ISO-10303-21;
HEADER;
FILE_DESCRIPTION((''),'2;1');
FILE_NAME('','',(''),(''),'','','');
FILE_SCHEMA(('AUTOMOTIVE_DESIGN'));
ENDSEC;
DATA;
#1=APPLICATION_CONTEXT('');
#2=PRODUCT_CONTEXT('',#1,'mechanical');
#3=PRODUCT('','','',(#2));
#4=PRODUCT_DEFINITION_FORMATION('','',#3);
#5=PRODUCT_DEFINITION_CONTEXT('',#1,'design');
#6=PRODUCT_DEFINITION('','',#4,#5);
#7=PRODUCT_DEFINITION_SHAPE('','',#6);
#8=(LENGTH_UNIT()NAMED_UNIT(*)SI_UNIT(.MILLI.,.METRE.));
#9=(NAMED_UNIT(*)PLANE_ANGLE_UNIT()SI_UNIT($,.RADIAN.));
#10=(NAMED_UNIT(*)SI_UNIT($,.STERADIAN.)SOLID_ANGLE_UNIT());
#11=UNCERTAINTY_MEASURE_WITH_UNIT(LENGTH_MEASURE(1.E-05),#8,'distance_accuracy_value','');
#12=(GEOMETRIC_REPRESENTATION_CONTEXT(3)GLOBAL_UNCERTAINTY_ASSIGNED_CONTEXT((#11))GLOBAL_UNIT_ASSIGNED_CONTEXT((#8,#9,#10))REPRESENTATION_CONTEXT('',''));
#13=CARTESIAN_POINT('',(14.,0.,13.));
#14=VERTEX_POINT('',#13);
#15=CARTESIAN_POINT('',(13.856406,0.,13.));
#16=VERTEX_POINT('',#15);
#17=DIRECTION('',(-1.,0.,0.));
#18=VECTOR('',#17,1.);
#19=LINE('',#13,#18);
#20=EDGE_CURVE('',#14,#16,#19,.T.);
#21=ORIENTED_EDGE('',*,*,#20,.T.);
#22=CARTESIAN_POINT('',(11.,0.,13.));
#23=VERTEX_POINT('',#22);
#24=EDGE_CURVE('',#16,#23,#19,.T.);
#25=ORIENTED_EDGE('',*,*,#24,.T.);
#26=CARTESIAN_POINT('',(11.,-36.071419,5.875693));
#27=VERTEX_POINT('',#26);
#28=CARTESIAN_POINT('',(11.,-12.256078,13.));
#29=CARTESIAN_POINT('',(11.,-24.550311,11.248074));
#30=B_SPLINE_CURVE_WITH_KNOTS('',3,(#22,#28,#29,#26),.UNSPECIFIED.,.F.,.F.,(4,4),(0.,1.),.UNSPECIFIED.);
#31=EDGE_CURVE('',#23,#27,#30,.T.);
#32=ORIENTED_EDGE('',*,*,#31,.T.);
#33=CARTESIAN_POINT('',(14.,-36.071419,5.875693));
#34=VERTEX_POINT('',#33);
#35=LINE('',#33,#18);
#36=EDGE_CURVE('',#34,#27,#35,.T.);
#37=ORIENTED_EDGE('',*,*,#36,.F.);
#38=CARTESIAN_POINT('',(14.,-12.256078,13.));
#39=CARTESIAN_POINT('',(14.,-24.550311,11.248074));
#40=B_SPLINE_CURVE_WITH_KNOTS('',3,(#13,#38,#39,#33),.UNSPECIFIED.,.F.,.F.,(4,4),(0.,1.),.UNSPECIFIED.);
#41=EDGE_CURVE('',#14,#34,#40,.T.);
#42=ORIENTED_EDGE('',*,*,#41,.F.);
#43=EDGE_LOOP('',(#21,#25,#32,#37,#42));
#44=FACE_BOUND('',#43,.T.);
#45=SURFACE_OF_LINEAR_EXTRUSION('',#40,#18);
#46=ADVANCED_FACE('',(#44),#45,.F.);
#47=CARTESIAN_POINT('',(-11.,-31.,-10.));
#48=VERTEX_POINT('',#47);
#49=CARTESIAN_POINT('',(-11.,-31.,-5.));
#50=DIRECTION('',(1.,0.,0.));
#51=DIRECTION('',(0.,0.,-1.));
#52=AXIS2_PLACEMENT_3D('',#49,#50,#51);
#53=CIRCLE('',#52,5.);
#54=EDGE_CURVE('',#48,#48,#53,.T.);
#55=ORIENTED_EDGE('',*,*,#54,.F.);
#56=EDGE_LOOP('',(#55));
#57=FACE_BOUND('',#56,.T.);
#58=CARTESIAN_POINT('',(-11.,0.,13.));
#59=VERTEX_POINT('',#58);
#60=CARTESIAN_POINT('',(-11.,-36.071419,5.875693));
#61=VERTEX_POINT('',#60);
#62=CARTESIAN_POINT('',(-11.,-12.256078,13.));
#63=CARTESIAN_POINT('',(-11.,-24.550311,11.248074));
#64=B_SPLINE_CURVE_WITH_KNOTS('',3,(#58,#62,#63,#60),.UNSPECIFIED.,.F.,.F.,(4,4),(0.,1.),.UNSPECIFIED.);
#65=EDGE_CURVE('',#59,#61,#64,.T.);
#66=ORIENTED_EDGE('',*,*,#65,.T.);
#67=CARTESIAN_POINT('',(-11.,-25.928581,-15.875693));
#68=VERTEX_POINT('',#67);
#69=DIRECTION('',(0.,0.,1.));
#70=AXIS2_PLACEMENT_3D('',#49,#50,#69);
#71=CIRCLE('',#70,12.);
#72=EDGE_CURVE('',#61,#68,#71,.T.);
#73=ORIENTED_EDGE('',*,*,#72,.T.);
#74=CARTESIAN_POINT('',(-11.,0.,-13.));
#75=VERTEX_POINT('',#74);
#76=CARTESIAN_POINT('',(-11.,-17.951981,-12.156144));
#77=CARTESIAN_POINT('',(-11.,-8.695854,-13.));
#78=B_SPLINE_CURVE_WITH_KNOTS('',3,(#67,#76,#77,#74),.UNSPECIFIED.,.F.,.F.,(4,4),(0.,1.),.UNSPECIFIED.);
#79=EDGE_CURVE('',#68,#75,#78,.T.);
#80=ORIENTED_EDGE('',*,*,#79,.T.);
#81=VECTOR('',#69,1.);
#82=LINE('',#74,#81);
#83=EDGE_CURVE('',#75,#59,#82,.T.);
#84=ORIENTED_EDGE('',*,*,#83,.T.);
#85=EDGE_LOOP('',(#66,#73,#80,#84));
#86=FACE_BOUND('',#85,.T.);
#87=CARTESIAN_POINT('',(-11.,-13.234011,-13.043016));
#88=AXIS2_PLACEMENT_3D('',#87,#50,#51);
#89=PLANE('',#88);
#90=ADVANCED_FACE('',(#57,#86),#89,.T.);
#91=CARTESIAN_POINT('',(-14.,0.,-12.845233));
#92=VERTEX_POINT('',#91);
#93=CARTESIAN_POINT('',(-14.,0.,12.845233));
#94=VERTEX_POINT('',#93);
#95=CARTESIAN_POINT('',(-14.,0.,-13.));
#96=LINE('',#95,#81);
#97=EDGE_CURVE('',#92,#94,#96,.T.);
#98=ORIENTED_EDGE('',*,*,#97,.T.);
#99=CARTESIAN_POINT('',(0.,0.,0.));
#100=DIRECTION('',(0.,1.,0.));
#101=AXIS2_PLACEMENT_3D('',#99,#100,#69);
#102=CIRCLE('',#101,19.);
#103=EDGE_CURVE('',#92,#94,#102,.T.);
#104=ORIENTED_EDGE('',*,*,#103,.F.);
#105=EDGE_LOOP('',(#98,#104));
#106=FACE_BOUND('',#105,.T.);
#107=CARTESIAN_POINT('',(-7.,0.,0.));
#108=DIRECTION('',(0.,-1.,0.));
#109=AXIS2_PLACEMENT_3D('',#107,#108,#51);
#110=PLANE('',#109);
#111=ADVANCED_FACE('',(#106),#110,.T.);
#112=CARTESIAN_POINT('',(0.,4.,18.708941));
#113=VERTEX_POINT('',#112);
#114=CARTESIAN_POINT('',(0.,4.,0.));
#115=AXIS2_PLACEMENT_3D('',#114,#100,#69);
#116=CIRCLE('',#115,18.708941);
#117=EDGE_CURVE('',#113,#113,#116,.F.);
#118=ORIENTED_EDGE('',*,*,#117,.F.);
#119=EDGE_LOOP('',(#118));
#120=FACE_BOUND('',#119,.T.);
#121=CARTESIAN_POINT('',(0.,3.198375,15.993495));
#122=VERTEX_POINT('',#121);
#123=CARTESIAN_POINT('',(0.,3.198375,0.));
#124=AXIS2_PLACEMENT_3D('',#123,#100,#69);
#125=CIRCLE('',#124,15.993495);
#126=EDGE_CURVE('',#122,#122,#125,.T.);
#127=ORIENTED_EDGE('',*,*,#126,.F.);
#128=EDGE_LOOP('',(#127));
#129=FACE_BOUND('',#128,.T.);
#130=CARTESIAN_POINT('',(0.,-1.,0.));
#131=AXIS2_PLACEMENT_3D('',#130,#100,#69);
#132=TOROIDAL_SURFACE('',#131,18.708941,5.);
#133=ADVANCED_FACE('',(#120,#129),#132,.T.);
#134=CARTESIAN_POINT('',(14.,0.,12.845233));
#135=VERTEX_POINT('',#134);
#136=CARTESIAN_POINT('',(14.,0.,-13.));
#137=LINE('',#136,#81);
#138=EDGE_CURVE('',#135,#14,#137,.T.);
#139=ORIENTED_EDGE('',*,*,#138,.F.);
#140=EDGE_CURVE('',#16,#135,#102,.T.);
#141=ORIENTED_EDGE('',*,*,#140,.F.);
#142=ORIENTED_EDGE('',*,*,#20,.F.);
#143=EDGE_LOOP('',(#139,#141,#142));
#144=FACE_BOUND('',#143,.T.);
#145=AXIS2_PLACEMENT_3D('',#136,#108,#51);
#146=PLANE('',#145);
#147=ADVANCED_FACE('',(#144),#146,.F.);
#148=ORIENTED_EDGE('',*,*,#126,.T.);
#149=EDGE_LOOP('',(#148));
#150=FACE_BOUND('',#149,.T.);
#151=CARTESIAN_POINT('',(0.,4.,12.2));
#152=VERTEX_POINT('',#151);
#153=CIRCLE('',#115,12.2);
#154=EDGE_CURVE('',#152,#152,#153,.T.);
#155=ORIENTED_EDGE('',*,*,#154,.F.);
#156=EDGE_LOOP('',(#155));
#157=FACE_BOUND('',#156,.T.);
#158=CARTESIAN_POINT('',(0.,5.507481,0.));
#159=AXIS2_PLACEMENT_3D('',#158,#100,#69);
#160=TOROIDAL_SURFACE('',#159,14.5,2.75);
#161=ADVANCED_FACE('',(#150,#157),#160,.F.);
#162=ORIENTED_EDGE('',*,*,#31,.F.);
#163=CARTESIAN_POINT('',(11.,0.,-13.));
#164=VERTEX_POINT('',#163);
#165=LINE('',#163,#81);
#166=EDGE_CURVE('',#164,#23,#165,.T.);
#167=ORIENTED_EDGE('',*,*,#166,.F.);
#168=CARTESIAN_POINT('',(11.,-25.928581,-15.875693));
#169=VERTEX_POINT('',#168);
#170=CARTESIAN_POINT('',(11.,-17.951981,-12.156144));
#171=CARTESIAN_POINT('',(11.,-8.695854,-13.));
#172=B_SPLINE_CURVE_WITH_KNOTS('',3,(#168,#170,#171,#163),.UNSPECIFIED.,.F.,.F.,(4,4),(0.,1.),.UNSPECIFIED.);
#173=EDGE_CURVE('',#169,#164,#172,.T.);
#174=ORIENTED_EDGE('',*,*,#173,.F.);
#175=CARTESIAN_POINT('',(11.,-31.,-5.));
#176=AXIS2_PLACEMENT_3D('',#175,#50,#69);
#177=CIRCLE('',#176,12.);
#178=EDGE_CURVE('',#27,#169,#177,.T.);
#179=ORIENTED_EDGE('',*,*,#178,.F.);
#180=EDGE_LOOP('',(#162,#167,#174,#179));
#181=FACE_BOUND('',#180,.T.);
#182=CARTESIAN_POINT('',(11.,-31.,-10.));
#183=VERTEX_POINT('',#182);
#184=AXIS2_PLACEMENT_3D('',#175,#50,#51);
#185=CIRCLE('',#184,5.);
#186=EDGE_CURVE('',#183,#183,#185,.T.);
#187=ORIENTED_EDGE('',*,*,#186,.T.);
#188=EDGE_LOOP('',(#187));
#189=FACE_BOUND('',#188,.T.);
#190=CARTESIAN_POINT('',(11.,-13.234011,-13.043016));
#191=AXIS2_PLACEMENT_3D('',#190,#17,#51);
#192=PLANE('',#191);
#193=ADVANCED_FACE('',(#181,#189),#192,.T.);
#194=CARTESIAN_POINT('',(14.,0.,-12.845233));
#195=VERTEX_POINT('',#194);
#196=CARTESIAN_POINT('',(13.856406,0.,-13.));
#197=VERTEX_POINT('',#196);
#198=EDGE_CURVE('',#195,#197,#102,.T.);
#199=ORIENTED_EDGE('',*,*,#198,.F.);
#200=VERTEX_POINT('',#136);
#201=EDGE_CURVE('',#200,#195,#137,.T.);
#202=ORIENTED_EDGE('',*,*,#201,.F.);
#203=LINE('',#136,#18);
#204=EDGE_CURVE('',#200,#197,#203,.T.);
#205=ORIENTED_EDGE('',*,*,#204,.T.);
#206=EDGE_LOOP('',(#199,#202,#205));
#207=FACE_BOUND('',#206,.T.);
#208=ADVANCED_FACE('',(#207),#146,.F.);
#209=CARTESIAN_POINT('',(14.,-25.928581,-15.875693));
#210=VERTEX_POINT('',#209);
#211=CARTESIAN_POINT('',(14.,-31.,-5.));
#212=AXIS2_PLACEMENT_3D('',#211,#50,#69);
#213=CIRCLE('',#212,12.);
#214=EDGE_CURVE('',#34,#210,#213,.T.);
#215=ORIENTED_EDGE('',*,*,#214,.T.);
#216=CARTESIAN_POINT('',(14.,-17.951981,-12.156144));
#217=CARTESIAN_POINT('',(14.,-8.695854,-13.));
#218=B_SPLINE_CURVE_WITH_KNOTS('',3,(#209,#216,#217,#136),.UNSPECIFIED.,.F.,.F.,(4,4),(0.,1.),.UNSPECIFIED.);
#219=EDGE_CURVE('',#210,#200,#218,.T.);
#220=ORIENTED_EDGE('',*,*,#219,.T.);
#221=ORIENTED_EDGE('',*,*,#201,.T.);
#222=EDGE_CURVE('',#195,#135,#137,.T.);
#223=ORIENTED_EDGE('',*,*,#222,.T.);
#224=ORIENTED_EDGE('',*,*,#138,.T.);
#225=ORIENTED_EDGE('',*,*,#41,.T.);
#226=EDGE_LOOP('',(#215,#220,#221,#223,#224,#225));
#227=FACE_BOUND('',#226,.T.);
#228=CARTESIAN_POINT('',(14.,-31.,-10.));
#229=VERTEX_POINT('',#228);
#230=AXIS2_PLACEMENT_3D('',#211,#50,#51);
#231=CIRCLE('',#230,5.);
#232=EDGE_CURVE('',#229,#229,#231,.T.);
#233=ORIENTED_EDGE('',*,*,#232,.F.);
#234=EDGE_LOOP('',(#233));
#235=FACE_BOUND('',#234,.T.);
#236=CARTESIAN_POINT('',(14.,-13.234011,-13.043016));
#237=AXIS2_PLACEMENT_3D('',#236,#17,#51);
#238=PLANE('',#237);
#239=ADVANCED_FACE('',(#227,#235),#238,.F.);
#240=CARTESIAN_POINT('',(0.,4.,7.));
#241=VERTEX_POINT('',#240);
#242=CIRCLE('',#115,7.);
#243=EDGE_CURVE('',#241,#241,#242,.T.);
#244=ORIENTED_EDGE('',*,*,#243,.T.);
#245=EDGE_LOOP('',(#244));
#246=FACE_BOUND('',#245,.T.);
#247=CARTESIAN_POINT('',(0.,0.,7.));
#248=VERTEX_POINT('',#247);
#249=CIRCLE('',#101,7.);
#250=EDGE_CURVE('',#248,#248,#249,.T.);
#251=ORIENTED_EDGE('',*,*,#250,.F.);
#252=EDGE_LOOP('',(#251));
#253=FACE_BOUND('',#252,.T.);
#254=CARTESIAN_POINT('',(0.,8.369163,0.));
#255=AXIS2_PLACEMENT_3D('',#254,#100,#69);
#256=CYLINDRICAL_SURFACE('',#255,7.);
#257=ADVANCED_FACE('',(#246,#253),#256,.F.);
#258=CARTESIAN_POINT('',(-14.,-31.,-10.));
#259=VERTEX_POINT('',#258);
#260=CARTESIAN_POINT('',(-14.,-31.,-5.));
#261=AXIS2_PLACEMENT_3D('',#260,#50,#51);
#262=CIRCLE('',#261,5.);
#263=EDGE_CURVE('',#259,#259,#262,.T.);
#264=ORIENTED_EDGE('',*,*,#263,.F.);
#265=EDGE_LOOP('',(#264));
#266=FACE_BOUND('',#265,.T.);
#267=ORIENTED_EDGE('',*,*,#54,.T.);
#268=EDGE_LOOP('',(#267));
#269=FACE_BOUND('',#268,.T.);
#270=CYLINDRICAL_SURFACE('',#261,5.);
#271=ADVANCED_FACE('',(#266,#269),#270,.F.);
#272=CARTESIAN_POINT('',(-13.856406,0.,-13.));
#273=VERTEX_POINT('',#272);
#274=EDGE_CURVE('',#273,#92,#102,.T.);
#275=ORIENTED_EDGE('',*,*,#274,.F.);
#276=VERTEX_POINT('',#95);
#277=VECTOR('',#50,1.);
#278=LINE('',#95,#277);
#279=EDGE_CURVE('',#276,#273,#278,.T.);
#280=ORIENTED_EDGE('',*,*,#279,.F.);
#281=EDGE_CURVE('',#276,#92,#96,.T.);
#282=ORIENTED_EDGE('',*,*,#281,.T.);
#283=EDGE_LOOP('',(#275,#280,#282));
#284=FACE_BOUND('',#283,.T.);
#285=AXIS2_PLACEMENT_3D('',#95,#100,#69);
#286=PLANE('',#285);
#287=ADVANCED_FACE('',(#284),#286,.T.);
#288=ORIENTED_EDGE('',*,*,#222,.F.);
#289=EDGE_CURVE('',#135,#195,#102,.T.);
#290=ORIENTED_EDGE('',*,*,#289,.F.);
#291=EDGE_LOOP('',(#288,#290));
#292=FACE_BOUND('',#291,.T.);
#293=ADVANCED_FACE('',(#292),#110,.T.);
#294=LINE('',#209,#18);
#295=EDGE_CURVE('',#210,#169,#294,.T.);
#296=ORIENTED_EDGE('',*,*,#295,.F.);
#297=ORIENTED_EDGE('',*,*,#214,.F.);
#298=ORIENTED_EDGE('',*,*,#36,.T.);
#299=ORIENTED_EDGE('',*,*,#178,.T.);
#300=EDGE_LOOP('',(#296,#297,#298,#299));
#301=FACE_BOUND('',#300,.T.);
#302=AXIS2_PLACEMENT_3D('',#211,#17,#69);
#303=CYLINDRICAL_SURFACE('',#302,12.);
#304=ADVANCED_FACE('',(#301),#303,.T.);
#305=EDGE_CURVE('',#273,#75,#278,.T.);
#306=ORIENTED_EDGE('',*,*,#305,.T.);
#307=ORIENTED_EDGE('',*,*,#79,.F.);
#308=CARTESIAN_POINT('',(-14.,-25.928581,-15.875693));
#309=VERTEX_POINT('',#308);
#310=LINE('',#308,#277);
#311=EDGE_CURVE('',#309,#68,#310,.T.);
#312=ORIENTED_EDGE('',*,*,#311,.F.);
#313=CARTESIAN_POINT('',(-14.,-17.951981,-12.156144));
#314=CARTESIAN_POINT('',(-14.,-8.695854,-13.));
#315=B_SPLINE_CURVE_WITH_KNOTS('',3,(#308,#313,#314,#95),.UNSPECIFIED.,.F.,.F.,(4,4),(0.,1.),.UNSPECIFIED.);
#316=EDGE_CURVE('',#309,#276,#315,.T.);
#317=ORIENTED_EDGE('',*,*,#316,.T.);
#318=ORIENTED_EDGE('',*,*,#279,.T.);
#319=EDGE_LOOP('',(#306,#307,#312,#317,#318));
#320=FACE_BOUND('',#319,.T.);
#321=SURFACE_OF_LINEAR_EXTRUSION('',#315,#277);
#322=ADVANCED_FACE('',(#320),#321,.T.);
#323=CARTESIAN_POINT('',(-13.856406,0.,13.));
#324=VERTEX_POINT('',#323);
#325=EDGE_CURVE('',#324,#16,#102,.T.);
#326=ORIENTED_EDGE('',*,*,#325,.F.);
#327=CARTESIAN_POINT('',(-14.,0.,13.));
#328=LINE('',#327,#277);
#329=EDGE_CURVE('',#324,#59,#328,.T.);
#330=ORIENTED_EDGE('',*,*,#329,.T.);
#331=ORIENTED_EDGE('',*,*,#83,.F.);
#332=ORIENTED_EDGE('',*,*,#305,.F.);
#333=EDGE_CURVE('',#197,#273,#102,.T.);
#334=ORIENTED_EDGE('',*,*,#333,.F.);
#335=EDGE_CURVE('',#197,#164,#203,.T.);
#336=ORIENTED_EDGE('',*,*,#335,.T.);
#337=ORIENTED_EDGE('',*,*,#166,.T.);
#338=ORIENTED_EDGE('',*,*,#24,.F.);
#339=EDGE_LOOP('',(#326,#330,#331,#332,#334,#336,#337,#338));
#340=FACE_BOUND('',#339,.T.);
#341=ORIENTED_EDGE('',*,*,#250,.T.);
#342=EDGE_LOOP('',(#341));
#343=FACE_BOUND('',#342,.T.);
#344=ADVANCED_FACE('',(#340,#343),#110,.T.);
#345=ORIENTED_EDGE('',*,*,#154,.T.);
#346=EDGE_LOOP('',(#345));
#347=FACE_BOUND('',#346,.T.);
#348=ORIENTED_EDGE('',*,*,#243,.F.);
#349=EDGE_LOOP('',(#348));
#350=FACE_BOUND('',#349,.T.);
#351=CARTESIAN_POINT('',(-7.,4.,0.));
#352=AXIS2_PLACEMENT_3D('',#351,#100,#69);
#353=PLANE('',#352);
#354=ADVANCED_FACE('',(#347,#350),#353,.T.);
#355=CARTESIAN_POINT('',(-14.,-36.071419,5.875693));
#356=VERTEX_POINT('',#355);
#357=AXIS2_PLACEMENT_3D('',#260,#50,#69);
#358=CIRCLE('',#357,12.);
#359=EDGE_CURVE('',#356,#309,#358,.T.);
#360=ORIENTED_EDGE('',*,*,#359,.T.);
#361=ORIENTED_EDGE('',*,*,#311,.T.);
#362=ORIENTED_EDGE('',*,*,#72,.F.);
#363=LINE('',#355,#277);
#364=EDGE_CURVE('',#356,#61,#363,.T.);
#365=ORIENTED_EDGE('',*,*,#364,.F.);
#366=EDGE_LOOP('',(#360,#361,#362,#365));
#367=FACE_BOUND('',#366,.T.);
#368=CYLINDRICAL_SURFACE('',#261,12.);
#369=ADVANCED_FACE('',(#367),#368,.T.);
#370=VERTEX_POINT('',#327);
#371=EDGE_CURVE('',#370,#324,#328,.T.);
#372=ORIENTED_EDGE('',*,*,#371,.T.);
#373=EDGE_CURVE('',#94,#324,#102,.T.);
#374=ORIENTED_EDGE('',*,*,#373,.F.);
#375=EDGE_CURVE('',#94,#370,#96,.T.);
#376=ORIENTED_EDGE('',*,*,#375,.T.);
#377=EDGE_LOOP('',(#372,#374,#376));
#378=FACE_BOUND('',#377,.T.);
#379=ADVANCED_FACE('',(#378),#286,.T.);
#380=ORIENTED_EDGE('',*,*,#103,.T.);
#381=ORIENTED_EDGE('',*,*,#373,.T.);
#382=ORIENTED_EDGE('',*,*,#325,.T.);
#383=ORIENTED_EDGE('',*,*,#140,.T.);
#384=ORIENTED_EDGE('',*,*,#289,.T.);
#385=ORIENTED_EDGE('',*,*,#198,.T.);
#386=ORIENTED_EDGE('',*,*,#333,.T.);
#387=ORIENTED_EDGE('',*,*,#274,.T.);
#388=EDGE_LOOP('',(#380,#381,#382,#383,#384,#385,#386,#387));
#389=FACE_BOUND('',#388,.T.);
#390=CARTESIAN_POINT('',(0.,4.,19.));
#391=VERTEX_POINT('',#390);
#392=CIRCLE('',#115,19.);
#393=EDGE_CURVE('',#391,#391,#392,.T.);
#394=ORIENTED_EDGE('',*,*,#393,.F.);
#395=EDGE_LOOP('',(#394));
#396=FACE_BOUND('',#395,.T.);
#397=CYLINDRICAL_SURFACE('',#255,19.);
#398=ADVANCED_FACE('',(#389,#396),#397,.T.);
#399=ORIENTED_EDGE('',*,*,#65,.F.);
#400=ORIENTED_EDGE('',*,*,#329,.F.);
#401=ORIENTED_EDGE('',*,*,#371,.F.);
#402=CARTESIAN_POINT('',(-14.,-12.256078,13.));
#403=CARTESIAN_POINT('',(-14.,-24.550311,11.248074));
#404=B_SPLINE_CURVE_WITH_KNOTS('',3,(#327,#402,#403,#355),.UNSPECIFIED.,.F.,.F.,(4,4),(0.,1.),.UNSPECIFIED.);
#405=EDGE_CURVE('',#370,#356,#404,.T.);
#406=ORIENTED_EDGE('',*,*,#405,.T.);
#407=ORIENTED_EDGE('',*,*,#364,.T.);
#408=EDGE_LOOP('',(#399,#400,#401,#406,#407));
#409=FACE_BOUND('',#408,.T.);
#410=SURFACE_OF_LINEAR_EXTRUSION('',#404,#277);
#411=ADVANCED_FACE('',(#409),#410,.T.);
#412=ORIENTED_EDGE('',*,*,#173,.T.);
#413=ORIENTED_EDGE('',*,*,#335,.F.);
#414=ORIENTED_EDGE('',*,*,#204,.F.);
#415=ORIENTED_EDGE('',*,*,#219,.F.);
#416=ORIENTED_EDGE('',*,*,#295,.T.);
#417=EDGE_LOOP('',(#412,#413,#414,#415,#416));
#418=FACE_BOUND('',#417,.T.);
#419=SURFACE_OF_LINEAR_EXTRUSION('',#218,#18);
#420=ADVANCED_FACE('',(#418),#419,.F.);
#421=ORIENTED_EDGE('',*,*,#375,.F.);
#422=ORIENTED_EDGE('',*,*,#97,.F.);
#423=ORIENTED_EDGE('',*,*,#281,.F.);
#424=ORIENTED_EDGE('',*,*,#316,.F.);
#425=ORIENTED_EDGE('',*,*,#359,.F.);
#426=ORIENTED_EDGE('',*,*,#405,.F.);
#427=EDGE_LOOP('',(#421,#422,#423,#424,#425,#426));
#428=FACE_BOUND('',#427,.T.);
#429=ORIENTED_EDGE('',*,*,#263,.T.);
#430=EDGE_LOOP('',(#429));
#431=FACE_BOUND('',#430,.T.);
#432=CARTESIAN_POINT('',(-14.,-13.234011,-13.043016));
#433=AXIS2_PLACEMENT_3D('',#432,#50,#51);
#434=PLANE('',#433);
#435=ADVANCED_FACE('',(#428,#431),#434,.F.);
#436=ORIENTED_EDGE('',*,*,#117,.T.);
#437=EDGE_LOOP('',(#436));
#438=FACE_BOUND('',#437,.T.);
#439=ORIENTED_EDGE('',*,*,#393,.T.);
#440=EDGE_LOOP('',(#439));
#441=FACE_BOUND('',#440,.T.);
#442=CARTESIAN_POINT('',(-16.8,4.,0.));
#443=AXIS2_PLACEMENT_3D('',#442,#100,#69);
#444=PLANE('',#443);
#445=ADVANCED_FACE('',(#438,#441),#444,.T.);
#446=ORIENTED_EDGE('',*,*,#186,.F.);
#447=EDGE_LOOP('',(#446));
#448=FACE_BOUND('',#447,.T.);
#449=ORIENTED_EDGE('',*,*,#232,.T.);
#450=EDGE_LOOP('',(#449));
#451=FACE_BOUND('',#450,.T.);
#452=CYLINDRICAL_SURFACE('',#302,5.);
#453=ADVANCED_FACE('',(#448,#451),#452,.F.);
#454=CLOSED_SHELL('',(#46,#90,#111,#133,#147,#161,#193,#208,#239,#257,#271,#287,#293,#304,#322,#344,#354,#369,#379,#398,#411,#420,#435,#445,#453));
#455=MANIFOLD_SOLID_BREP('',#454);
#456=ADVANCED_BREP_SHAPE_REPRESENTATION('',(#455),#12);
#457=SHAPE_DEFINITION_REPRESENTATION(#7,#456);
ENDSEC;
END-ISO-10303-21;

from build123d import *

# Parameters (mm, degrees)
BOSS_EXTRUDE1_START = -11
SKETCH2_R           = 5
BOSS_EXTRUDE1_DEPTH = 3
FILLET1_R           = 5


with BuildPart() as part:
    # Sketch1 → Revolve1 (revolve)
    with BuildSketch(Plane.XY, mode=Mode.PRIVATE) as revolve1_sk:
        with BuildLine():
            Line((-16.8, 4), (-19, 4))
            Line((-19, 4), (-19, 0))
            Line((-19, 0), (-7, 0))
            Line((-7, 0), (-7, 4))
            Line((-7, 4), (-12.2, 4))
            ThreePointArc((-12.2, 4), (-14.5, 2.757481343), (-16.8, 4))
        make_face()
    revolve(revolve1_sk.sketch.rotate(Axis((0, 8.369163349, 0), (0, -1, 0)), 270), axis=Axis((0, 8.369163349, 0), (0, -1, 0)))

    # Sketch2 → Boss-Extrude1 (add)
    with BuildSketch(Plane(origin=(0, 0, 0), x_dir=(0, 0, -1), z_dir=(1, 0, 0)).offset(BOSS_EXTRUDE1_START)):
        with BuildLine():
            Line((13, 0), (-13, 0))
            add(Edge.make_bspline(
                [(-5.875693444, -36.071419141), (-11.248074258, -24.550311306), (-13, -12.25607796), (-13, 0)],
                knots=[0, 0, 0, 0, 1, 1, 1, 1], degree=3))
            ThreePointArc((-5.875693444, -36.071419141), (10.071419141, -41.875693444), (15.875693444, -25.928580859))
            add(Edge.make_bspline(
                [(15.875693444, -25.928580859), (12.156143996, -17.951981325), (13, -8.695854173), (13, 0)],
                knots=[0, 0, 0, 0, 1, 1, 1, 1], degree=3))
        make_face()
        with Locations((5, -31)):
            Circle(SKETCH2_R, mode=Mode.SUBTRACT)
    boss_extrude1 = extrude(amount=-BOSS_EXTRUDE1_DEPTH)

    # Mirror1: Boss-Extrude1 across plane
    add(boss_extrude1.mirror(Plane(origin=(0, 0, 0), x_dir=(0, 0, 1), z_dir=(1, 0, 0))))

    # Fillet1
    fillet1_edges = [part.edges().sort_by_distance(p)[0] for p in [
        (0, 4, -16.8),
    ]]
    fillet(fillet1_edges, radius=FILLET1_R)


solid = part.part
